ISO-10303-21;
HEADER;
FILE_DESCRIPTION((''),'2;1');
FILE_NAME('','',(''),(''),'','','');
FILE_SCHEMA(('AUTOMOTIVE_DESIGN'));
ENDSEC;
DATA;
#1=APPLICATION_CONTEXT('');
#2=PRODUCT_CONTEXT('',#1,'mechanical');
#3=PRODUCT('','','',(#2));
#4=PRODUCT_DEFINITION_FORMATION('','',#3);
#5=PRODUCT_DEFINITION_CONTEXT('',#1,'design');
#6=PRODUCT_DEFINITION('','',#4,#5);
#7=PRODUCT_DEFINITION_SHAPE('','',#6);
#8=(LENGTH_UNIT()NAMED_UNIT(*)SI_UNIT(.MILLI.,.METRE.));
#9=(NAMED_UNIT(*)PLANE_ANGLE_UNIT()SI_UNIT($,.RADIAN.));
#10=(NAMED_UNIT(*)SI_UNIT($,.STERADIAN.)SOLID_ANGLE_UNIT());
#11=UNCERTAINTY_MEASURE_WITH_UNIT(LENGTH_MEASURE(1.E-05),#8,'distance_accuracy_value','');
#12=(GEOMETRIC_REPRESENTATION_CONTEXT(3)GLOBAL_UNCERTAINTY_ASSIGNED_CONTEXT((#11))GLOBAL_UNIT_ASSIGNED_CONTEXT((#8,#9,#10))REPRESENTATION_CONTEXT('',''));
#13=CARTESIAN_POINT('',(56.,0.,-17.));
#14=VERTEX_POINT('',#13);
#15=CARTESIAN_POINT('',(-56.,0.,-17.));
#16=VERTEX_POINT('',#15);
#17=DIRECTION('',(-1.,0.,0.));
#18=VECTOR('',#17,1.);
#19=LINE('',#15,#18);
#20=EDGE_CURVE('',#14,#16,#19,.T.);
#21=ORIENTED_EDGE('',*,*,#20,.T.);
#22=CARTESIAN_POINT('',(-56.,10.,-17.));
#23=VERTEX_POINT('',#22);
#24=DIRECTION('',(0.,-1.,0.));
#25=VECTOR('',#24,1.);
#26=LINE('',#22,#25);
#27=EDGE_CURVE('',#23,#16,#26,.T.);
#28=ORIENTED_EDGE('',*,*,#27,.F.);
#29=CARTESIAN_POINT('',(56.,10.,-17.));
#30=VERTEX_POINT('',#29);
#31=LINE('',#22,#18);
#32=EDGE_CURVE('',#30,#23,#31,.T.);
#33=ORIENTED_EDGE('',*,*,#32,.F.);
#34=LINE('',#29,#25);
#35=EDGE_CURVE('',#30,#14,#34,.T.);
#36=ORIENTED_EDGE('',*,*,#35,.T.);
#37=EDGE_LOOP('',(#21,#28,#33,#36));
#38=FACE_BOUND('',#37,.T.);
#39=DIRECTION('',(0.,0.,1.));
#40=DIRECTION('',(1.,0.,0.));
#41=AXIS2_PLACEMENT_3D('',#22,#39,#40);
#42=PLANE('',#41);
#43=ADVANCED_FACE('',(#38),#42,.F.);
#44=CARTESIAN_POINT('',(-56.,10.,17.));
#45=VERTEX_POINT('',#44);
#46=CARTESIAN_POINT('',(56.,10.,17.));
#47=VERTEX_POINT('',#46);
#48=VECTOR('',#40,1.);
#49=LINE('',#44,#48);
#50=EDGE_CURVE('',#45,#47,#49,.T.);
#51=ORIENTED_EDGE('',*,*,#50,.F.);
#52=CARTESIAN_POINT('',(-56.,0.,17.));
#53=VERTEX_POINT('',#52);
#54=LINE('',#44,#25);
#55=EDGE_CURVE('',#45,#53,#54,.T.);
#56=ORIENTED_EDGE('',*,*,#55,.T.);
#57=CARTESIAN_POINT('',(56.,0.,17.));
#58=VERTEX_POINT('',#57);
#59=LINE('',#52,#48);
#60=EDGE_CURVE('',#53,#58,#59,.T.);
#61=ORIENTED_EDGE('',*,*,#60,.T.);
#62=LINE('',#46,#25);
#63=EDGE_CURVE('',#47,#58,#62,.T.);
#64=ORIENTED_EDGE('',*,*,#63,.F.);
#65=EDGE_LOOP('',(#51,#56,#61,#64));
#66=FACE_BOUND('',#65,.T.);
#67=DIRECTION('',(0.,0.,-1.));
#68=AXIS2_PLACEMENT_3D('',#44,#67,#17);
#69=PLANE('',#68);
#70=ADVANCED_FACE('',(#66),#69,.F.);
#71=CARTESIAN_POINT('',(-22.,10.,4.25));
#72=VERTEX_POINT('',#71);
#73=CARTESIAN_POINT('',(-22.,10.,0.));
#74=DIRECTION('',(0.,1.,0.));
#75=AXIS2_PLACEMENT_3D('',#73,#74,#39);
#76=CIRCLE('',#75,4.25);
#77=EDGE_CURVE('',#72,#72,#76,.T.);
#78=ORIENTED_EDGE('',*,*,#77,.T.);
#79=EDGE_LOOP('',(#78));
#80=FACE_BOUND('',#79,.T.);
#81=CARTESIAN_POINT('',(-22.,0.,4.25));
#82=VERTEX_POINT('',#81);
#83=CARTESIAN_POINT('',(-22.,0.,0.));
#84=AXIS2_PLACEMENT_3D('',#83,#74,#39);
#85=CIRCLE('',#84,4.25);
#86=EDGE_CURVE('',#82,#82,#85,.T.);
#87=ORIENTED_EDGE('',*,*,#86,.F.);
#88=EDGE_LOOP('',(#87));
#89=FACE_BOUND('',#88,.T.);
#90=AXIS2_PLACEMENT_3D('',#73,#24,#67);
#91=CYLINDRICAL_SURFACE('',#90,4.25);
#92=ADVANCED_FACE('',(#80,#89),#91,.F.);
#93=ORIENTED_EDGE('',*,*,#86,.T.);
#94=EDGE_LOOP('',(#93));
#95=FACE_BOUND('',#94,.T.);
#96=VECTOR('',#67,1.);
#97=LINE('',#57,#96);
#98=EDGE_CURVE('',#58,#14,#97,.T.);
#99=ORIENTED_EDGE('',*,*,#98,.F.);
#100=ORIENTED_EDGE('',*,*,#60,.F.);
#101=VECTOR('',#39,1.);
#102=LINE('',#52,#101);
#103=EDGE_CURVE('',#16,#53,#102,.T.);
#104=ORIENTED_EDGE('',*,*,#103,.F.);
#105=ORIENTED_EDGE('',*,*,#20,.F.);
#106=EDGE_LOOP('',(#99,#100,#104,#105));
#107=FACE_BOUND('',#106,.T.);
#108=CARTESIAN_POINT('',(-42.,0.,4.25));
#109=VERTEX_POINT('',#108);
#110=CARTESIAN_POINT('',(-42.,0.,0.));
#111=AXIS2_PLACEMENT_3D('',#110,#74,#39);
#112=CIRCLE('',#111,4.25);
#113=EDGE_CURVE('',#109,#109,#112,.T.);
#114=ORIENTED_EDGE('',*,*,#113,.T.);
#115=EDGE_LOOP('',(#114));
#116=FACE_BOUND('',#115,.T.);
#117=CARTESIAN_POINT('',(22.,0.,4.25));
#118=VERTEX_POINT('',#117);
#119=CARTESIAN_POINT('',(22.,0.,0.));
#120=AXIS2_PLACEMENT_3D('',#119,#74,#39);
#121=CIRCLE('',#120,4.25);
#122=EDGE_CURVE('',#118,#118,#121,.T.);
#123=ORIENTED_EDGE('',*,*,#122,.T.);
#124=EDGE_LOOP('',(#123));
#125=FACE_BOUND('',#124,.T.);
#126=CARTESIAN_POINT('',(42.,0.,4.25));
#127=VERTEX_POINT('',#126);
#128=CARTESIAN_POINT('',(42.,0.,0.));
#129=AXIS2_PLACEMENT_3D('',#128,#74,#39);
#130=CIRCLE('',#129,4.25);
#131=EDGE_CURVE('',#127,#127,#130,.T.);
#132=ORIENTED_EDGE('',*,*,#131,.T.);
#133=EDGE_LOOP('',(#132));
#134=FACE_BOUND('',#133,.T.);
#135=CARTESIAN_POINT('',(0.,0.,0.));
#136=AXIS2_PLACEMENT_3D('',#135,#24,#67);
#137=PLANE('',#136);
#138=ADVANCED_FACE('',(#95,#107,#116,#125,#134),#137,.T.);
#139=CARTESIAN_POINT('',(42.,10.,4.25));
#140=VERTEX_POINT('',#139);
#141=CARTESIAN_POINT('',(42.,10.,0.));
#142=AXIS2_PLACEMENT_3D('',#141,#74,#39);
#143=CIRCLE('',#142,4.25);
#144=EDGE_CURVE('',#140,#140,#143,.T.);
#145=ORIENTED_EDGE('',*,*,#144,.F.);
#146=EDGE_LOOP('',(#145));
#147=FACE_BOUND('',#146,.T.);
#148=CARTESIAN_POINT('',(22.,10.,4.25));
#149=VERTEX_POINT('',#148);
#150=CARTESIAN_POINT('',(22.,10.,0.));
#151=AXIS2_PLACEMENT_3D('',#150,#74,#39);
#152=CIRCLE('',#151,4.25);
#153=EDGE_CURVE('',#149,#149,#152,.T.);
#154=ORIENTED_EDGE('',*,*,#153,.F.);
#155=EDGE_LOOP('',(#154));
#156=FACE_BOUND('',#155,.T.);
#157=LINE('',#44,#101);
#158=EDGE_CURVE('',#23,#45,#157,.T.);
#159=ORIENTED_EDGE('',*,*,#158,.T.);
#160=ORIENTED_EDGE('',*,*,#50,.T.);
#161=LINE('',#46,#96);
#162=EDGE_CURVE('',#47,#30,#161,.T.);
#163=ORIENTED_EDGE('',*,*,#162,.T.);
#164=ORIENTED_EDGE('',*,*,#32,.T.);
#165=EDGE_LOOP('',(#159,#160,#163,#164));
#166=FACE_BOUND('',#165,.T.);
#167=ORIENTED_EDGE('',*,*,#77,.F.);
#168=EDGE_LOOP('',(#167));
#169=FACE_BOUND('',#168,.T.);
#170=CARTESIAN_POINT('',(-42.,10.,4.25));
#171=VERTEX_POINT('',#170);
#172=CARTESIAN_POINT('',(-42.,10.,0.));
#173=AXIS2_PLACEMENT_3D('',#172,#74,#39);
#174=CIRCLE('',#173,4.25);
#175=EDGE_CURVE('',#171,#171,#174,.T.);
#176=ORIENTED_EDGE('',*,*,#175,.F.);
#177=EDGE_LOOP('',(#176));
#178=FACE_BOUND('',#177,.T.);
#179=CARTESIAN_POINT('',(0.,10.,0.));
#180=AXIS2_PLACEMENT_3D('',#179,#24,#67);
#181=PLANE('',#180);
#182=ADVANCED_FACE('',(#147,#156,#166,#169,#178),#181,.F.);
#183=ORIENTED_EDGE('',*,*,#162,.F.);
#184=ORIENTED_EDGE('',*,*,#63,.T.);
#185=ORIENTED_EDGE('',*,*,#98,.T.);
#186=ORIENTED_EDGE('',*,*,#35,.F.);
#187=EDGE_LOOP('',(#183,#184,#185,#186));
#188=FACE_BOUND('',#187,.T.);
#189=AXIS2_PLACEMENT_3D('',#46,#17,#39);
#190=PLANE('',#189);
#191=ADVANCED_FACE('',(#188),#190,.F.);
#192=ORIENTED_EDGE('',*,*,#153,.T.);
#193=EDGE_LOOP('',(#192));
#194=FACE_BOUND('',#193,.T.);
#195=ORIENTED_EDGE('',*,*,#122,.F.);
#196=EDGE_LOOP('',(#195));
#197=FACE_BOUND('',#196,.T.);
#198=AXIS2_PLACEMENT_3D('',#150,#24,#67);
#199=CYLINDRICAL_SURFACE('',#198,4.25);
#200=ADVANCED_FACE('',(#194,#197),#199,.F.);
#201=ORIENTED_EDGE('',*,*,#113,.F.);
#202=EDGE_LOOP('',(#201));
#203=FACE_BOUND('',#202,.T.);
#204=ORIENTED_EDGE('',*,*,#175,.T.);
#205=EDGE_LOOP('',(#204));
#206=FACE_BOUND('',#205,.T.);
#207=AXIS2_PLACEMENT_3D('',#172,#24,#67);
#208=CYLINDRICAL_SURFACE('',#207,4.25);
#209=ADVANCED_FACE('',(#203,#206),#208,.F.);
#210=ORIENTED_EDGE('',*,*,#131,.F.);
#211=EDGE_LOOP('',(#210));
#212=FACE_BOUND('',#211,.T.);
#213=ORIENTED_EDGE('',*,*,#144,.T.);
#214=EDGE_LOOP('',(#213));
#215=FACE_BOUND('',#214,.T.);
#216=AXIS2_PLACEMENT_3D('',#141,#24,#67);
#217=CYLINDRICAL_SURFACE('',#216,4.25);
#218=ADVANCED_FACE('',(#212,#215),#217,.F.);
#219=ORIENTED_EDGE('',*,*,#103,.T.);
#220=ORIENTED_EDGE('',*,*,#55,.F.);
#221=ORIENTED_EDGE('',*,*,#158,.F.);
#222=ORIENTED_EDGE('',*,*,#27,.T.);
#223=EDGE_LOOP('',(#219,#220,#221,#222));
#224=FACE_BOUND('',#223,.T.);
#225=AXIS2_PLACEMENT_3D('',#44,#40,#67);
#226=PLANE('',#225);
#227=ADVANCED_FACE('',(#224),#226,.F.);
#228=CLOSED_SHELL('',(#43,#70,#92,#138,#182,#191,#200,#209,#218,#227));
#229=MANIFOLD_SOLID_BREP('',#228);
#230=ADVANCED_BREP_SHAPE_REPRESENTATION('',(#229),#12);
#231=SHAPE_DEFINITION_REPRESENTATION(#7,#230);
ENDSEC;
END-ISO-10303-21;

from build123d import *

# Parameters (mm, degrees)
SKETCH1_W           = 112
SKETCH1_H           = 34
SKETCH1_R           = 4.25
PLATE_EXTRUDE_DEPTH = 10


with BuildPart() as part:
    # Sketch1 → Plate_Extrude (new body)
    with BuildSketch(Plane(origin=(0, 0, 0), x_dir=(1, 0, 0), z_dir=(0, 1, 0))):
        Rectangle(SKETCH1_W, SKETCH1_H)
        with Locations(Location((-42, 0, 0), (0, 0, 270))):
            Circle(SKETCH1_R, mode=Mode.SUBTRACT)
        with Locations(Location((42, 0, 0), (0, 0, 270))):
            Circle(SKETCH1_R, mode=Mode.SUBTRACT)
        with Locations(Location((-22, 0, 0), (0, 0, 270))):
            Circle(SKETCH1_R, mode=Mode.SUBTRACT)
        with Locations(Location((22, 0, 0), (0, 0, 270))):
            Circle(SKETCH1_R, mode=Mode.SUBTRACT)
    extrude(amount=PLATE_EXTRUDE_DEPTH)


solid = part.part
